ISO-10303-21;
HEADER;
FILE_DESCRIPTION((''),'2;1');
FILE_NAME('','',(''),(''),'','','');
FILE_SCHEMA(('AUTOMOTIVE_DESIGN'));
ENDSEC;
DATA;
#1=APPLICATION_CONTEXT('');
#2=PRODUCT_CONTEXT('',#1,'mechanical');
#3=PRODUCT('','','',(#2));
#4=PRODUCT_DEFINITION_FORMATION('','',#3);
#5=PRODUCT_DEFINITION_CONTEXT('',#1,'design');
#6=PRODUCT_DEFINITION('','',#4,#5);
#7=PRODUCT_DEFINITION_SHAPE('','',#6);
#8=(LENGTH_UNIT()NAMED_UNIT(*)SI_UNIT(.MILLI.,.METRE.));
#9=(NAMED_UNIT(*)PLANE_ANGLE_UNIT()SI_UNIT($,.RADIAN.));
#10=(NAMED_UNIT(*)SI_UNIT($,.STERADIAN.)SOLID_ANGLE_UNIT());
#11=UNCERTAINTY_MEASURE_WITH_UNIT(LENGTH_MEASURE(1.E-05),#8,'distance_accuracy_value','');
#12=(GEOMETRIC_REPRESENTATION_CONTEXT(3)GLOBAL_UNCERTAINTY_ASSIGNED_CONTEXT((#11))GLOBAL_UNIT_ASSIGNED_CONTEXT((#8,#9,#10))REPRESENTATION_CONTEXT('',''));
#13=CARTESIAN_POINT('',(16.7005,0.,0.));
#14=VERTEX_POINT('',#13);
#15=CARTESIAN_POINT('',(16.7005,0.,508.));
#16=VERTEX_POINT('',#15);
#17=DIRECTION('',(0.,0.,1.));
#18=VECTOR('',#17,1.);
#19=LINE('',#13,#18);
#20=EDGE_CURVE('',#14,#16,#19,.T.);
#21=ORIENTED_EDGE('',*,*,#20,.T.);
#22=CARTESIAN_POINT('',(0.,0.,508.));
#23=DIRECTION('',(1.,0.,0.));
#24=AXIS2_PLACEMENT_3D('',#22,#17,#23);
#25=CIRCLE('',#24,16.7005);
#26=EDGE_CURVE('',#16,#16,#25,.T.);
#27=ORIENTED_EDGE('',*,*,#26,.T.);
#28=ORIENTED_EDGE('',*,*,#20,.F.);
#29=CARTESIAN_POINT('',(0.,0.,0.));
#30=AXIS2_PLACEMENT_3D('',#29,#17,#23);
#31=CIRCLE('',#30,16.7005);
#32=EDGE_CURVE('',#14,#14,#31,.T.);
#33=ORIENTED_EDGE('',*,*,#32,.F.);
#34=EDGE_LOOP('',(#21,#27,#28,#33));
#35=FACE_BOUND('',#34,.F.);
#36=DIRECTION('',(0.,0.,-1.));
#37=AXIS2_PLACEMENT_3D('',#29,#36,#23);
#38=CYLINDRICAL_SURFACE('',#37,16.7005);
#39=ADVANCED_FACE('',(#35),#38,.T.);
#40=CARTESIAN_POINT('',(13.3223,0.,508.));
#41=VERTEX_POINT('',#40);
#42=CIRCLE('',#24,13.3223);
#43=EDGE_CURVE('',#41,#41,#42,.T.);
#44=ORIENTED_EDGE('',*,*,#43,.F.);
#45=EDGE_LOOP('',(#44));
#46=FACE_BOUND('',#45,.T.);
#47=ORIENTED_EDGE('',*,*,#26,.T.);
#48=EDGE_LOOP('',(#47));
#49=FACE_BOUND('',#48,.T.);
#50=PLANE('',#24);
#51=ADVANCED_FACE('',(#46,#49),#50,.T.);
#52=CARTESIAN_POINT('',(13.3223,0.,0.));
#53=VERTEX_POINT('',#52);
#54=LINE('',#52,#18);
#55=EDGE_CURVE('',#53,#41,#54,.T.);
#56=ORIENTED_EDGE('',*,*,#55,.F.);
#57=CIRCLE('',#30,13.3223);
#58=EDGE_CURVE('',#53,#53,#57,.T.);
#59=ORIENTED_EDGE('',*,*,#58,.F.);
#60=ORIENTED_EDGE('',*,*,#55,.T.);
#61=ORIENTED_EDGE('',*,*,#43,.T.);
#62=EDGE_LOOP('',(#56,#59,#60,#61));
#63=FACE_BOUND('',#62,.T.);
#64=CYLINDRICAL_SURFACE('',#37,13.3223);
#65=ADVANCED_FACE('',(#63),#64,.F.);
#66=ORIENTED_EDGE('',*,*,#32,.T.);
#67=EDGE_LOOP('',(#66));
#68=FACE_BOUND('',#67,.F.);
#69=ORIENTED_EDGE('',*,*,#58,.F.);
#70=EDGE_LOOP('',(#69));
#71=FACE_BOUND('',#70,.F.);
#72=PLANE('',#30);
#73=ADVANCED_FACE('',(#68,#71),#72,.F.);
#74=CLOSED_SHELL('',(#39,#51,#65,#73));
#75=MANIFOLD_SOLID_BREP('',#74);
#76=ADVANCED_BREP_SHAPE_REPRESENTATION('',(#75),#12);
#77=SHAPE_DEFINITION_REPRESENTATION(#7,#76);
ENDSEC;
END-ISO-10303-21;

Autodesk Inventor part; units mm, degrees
ref_plane "YZ Plane" through (0, 0, 0) normal (1, 0, 0) x (0, 1, 0)
ref_plane "Start plane" through (0, 0, 0) normal (0, 0, 1) x (1, 0, 0)
ref_plane "End plane" through (0, 0, 508) normal (0, 0, 1) x (1, 0, 0)
sketch "Sketch" plane through (0, 0, 0) normal (0, 0, 1) x (1, 0, 0)
  circle A0 centre (0, 0) radius 13.3223
  circle A1 centre (0, 0) radius 16.7005
  dimension "d0" = 33.401
  dimension "d1" = 3.3782
extrude "Body" add sketch "Sketch" along normal up to surface (508 mm away) from surface at 0
sketch "Sketch3" plane through (0, 0, 0) normal (0, 0, 1) x (1, 0, 0)
  line L0 (0, 0) -> (10, 0)
ref_plane "Work Plane3" through (0, 0, 0) normal (0, -1, 0) x (1, 0, 0)
sketch "Sketch4" plane through (0, 0, 0) normal (0, -1, 0) x (1, 0, 0)
  line L0 (-2, 0) -> (12, 0)
  line L1 (-2, 508) -> (12, 508)
  dimension "d7" = 508
equation "\"d0\" = G_H"
equation "\"d1\" = G_T"
equation "\"d2\" = G_L"
equation "\"G_H\" = 33.401"
equation "\"G_T\" = 3.3782"
equation "\"G_L\" = d7"
equation "\"G_OFFSET_START\" = 0"
equation "\"G_OFFSET_END\" = 0"
equation "\"d5\" = G_OFFSET_END + B_L"
equation "\"B_L\" = 508"
properties part number "ANSI - 1 x 0.133 - 20" material "Aluminum 6061"
